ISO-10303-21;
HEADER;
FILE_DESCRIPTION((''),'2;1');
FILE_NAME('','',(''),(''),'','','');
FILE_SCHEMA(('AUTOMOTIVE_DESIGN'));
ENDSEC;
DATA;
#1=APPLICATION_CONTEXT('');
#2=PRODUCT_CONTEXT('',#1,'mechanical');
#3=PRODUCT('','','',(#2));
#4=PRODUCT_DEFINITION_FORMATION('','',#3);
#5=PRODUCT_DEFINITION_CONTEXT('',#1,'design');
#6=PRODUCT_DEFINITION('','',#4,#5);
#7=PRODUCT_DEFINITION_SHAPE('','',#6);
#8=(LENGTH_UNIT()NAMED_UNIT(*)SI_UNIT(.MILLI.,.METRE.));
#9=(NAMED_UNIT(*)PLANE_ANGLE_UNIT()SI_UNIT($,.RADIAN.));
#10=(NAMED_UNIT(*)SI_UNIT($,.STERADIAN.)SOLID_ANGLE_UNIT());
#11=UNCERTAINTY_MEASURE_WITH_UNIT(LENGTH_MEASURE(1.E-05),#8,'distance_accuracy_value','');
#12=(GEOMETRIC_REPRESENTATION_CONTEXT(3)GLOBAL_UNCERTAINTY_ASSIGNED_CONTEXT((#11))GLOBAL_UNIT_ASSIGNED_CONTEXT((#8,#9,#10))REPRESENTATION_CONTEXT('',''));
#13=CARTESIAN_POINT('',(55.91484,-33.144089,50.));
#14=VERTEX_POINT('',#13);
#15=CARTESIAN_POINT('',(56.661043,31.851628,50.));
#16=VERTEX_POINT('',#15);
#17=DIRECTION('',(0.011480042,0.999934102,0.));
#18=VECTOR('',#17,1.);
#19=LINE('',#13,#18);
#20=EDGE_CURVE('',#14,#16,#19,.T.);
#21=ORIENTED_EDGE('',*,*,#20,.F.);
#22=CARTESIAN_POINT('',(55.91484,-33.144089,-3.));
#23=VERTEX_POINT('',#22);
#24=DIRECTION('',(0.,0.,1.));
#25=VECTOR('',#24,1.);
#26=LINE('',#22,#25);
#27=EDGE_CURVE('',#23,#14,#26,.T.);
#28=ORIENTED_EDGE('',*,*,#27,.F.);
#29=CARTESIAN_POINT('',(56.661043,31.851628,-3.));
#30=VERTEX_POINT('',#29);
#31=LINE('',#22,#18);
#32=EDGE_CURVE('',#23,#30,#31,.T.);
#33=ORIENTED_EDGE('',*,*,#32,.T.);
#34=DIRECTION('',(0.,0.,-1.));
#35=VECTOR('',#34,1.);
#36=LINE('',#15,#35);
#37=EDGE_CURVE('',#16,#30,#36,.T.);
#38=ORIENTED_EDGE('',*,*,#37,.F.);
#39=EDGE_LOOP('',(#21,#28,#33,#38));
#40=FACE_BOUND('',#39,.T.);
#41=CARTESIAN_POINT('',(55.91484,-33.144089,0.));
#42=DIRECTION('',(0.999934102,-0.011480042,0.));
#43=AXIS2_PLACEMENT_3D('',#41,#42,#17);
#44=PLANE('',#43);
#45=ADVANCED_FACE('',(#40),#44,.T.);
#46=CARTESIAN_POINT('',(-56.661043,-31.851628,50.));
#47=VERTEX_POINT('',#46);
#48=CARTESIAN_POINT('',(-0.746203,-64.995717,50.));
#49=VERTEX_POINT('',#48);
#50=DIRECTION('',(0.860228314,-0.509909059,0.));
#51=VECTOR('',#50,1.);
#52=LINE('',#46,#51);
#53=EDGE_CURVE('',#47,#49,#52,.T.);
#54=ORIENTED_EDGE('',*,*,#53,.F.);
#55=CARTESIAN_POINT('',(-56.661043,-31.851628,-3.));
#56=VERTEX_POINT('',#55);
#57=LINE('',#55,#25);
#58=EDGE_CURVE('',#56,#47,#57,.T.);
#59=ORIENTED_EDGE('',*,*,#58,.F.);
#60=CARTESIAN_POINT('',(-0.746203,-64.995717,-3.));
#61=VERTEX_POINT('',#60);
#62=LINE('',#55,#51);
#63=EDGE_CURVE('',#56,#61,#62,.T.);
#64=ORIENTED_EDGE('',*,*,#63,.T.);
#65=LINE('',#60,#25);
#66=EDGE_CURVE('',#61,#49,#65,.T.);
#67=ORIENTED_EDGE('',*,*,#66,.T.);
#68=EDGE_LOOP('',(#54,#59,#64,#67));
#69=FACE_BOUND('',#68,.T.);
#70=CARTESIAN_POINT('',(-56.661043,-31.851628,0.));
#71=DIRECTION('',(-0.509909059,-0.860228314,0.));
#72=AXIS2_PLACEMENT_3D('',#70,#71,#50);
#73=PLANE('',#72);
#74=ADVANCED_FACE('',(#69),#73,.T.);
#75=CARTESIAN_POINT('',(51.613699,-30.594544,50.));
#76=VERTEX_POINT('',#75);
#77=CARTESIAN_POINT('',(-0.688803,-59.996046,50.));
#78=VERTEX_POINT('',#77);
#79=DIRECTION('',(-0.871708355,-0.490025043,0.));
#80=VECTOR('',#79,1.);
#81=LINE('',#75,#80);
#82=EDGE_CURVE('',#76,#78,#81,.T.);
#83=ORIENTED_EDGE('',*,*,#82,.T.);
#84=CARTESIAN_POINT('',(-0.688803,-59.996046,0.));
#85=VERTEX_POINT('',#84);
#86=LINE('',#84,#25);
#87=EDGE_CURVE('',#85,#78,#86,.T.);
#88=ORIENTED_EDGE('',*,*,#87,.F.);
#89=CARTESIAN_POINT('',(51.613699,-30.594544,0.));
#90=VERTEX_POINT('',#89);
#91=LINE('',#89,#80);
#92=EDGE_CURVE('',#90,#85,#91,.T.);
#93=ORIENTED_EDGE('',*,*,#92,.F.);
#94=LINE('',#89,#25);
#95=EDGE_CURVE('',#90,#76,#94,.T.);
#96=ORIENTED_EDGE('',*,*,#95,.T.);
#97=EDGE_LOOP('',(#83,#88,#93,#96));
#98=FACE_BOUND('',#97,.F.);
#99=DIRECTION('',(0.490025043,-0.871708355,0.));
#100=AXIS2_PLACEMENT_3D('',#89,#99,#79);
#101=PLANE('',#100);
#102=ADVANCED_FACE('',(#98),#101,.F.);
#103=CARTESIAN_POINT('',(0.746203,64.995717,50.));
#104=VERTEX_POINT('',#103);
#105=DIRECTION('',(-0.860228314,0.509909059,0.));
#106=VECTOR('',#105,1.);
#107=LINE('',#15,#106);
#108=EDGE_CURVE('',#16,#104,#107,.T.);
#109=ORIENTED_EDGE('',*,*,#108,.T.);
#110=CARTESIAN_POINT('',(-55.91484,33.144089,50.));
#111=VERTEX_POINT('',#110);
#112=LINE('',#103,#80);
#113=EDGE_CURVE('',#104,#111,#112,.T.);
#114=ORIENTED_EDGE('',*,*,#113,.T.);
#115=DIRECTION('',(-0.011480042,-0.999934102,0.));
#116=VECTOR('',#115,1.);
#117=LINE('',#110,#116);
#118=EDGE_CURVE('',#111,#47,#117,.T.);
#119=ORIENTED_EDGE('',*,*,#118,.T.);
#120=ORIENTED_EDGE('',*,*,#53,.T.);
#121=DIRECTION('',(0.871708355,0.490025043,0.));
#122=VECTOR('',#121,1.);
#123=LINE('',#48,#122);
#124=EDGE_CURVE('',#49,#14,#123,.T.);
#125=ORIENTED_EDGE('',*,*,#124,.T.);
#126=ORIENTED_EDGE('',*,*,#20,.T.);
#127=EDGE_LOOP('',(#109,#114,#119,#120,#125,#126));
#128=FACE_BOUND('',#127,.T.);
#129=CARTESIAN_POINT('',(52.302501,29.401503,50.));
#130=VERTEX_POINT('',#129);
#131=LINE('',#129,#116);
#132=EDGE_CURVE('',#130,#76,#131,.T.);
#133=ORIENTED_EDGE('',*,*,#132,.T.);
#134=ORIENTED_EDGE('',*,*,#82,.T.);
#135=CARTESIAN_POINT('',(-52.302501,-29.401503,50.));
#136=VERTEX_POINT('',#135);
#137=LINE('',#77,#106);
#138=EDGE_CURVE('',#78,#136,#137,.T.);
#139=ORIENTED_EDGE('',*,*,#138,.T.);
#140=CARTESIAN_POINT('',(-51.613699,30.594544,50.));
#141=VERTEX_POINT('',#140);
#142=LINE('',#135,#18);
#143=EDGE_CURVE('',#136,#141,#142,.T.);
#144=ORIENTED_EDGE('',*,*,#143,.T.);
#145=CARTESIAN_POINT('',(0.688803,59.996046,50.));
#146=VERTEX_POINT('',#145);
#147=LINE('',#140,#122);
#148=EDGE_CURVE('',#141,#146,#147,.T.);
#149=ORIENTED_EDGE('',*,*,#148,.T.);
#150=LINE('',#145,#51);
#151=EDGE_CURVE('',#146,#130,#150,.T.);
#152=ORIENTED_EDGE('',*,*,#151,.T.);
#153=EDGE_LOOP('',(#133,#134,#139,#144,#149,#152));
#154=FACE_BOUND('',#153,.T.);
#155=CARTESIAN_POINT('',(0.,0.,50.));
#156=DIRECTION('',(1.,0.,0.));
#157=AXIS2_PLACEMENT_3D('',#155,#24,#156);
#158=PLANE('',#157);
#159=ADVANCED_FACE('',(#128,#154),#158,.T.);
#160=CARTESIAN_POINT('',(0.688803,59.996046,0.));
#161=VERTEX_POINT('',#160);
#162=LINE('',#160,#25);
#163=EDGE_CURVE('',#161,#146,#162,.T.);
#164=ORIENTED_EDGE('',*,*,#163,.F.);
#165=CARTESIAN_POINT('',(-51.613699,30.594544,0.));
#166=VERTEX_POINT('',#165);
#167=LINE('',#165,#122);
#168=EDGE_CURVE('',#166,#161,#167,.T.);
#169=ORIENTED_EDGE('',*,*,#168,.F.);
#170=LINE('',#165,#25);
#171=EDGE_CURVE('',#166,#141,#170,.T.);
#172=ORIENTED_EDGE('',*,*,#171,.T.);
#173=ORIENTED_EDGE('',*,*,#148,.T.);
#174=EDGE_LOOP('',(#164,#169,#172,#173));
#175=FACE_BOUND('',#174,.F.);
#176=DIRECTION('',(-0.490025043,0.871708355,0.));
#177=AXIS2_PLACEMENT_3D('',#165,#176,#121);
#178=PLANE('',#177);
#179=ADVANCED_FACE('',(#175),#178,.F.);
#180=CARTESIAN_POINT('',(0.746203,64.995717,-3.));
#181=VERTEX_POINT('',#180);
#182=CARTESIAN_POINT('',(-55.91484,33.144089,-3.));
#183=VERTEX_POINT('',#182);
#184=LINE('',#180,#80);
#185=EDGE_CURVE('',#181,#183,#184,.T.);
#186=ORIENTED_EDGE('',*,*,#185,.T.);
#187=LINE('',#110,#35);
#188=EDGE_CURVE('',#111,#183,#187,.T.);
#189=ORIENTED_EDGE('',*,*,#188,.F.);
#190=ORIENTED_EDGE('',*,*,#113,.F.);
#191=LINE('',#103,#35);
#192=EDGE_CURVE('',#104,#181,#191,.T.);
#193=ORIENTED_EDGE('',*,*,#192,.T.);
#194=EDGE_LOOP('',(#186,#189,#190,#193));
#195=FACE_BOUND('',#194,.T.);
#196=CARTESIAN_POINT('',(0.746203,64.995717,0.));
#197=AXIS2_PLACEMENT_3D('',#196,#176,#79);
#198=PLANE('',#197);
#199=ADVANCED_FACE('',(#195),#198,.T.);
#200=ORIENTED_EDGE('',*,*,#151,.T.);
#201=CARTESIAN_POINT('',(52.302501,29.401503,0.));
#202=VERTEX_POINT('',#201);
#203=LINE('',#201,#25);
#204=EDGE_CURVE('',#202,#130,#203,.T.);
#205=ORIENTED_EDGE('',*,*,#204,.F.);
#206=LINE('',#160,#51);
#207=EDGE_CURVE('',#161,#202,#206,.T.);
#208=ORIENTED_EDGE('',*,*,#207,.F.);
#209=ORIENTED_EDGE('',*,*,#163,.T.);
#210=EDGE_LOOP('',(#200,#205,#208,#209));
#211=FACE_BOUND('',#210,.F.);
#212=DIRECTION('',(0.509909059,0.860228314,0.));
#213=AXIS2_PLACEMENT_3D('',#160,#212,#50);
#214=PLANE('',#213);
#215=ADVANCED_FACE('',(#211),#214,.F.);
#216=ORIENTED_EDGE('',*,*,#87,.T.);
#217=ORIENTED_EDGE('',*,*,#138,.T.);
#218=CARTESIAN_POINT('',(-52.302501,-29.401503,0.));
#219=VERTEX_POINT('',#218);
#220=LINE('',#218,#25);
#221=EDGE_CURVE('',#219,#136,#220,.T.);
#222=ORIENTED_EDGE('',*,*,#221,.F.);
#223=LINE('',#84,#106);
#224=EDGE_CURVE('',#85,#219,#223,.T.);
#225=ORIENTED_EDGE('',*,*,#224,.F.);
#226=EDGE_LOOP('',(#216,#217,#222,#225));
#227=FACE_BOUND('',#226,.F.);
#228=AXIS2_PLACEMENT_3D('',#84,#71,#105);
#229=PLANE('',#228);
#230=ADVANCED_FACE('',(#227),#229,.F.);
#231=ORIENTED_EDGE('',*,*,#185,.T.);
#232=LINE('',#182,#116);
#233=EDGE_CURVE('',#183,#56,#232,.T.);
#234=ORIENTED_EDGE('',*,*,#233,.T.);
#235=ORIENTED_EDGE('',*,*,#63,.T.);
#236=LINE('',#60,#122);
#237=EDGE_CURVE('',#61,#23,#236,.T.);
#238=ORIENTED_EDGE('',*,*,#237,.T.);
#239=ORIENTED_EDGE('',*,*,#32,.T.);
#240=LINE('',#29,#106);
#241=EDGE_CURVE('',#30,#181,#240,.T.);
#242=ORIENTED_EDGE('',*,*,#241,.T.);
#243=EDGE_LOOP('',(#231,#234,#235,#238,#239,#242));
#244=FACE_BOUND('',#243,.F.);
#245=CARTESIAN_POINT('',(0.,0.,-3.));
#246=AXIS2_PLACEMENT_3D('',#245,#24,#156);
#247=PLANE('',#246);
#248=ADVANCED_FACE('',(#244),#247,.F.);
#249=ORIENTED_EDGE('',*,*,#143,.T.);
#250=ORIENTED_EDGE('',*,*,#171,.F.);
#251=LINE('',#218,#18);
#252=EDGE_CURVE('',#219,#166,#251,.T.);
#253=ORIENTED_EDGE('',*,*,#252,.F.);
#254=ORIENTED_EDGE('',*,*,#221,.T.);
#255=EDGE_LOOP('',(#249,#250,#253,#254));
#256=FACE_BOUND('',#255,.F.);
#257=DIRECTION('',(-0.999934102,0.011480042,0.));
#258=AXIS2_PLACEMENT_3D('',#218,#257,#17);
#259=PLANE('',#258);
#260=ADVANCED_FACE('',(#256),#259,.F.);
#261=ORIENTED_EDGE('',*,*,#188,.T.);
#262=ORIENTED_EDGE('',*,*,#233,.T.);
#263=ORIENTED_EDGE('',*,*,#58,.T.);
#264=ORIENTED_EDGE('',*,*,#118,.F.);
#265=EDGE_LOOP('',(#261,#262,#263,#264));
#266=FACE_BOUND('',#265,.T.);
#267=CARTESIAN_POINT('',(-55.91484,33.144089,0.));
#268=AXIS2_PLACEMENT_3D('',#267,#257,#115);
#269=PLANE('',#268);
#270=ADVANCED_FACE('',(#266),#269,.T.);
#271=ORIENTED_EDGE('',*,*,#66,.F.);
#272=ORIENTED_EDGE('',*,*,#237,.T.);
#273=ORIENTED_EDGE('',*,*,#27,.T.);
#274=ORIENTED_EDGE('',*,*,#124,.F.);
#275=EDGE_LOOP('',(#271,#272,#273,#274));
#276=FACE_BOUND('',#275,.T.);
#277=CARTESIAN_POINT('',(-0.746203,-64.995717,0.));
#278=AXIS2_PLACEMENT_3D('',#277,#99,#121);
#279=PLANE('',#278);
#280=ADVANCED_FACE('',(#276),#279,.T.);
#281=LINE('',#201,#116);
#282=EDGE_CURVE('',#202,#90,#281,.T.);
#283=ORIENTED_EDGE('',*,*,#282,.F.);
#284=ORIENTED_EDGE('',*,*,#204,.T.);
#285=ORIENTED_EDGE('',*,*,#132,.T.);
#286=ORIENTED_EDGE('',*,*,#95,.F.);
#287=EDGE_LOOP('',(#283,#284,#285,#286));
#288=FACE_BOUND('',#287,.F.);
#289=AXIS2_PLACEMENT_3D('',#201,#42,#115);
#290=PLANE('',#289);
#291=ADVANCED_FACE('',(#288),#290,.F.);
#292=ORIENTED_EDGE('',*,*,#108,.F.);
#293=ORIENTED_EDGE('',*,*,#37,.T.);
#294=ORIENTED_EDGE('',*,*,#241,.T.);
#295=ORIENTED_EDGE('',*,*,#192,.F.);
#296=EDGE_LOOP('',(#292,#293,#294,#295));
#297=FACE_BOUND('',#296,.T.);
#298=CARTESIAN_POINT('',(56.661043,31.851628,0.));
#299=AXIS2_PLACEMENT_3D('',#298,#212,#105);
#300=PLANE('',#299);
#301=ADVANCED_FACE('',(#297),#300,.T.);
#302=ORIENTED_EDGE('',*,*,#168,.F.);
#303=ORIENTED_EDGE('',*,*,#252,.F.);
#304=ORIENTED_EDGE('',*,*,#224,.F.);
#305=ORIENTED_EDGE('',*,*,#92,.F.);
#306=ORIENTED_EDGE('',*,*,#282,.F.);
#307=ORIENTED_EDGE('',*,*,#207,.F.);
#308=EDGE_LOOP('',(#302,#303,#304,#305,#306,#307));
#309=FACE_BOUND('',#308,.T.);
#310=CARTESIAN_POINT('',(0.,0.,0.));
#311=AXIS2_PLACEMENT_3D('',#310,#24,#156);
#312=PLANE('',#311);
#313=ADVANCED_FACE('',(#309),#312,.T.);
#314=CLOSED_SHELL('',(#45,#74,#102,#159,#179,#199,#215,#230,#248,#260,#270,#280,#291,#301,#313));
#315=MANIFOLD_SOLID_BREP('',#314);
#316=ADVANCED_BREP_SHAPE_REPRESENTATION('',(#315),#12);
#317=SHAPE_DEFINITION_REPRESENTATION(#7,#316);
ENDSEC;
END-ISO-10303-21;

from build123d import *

# Parameters (mm, degrees)
F1_DEPTH = 50
F2_DEPTH = 3


with BuildPart() as f1:
    # F0 (on Top) → F1 (new body)
    with BuildSketch(Plane.XY):
        Polygon((-55.9148403892, 33.1440888282), (-56.6610431051, -31.8516278114), (-0.746202716, -64.9957166397), (55.9148403892, -33.1440888282), (56.6610431051, 31.8516278114), (0.746202716, 64.9957166397), align=None)
        Polygon((51.6136988208, -30.5945435338), (-0.688802507, -59.9960461289), (-52.3025013278, -29.4015025952), (-51.6136988208, 30.5945435338), (0.688802507, 59.9960461289), (52.3025013278, 29.4015025952), align=None, mode=Mode.SUBTRACT)
    extrude(amount=F1_DEPTH)

    # F0 (on Top) → F2 (join)
    with BuildSketch(Plane.XY):
        Polygon((-55.9148403892, 33.1440888282), (-56.6610431051, -31.8516278114), (-0.746202716, -64.9957166397), (55.9148403892, -33.1440888282), (56.6610431051, 31.8516278114), (0.746202716, 64.9957166397), align=None)
        Polygon((51.6136988208, -30.5945435338), (-0.688802507, -59.9960461289), (-52.3025013278, -29.4015025952), (-51.6136988208, 30.5945435338), (0.688802507, 59.9960461289), (52.3025013278, 29.4015025952), align=None, mode=Mode.SUBTRACT)
        Polygon((-52.3025013278, -29.4015025952), (-0.688802507, -59.9960461289), (51.6136988208, -30.5945435338), (52.3025013278, 29.4015025952), (0.688802507, 59.9960461289), (-51.6136988208, 30.5945435338), align=None)
    extrude(amount=-F2_DEPTH)


solid = f1.part
